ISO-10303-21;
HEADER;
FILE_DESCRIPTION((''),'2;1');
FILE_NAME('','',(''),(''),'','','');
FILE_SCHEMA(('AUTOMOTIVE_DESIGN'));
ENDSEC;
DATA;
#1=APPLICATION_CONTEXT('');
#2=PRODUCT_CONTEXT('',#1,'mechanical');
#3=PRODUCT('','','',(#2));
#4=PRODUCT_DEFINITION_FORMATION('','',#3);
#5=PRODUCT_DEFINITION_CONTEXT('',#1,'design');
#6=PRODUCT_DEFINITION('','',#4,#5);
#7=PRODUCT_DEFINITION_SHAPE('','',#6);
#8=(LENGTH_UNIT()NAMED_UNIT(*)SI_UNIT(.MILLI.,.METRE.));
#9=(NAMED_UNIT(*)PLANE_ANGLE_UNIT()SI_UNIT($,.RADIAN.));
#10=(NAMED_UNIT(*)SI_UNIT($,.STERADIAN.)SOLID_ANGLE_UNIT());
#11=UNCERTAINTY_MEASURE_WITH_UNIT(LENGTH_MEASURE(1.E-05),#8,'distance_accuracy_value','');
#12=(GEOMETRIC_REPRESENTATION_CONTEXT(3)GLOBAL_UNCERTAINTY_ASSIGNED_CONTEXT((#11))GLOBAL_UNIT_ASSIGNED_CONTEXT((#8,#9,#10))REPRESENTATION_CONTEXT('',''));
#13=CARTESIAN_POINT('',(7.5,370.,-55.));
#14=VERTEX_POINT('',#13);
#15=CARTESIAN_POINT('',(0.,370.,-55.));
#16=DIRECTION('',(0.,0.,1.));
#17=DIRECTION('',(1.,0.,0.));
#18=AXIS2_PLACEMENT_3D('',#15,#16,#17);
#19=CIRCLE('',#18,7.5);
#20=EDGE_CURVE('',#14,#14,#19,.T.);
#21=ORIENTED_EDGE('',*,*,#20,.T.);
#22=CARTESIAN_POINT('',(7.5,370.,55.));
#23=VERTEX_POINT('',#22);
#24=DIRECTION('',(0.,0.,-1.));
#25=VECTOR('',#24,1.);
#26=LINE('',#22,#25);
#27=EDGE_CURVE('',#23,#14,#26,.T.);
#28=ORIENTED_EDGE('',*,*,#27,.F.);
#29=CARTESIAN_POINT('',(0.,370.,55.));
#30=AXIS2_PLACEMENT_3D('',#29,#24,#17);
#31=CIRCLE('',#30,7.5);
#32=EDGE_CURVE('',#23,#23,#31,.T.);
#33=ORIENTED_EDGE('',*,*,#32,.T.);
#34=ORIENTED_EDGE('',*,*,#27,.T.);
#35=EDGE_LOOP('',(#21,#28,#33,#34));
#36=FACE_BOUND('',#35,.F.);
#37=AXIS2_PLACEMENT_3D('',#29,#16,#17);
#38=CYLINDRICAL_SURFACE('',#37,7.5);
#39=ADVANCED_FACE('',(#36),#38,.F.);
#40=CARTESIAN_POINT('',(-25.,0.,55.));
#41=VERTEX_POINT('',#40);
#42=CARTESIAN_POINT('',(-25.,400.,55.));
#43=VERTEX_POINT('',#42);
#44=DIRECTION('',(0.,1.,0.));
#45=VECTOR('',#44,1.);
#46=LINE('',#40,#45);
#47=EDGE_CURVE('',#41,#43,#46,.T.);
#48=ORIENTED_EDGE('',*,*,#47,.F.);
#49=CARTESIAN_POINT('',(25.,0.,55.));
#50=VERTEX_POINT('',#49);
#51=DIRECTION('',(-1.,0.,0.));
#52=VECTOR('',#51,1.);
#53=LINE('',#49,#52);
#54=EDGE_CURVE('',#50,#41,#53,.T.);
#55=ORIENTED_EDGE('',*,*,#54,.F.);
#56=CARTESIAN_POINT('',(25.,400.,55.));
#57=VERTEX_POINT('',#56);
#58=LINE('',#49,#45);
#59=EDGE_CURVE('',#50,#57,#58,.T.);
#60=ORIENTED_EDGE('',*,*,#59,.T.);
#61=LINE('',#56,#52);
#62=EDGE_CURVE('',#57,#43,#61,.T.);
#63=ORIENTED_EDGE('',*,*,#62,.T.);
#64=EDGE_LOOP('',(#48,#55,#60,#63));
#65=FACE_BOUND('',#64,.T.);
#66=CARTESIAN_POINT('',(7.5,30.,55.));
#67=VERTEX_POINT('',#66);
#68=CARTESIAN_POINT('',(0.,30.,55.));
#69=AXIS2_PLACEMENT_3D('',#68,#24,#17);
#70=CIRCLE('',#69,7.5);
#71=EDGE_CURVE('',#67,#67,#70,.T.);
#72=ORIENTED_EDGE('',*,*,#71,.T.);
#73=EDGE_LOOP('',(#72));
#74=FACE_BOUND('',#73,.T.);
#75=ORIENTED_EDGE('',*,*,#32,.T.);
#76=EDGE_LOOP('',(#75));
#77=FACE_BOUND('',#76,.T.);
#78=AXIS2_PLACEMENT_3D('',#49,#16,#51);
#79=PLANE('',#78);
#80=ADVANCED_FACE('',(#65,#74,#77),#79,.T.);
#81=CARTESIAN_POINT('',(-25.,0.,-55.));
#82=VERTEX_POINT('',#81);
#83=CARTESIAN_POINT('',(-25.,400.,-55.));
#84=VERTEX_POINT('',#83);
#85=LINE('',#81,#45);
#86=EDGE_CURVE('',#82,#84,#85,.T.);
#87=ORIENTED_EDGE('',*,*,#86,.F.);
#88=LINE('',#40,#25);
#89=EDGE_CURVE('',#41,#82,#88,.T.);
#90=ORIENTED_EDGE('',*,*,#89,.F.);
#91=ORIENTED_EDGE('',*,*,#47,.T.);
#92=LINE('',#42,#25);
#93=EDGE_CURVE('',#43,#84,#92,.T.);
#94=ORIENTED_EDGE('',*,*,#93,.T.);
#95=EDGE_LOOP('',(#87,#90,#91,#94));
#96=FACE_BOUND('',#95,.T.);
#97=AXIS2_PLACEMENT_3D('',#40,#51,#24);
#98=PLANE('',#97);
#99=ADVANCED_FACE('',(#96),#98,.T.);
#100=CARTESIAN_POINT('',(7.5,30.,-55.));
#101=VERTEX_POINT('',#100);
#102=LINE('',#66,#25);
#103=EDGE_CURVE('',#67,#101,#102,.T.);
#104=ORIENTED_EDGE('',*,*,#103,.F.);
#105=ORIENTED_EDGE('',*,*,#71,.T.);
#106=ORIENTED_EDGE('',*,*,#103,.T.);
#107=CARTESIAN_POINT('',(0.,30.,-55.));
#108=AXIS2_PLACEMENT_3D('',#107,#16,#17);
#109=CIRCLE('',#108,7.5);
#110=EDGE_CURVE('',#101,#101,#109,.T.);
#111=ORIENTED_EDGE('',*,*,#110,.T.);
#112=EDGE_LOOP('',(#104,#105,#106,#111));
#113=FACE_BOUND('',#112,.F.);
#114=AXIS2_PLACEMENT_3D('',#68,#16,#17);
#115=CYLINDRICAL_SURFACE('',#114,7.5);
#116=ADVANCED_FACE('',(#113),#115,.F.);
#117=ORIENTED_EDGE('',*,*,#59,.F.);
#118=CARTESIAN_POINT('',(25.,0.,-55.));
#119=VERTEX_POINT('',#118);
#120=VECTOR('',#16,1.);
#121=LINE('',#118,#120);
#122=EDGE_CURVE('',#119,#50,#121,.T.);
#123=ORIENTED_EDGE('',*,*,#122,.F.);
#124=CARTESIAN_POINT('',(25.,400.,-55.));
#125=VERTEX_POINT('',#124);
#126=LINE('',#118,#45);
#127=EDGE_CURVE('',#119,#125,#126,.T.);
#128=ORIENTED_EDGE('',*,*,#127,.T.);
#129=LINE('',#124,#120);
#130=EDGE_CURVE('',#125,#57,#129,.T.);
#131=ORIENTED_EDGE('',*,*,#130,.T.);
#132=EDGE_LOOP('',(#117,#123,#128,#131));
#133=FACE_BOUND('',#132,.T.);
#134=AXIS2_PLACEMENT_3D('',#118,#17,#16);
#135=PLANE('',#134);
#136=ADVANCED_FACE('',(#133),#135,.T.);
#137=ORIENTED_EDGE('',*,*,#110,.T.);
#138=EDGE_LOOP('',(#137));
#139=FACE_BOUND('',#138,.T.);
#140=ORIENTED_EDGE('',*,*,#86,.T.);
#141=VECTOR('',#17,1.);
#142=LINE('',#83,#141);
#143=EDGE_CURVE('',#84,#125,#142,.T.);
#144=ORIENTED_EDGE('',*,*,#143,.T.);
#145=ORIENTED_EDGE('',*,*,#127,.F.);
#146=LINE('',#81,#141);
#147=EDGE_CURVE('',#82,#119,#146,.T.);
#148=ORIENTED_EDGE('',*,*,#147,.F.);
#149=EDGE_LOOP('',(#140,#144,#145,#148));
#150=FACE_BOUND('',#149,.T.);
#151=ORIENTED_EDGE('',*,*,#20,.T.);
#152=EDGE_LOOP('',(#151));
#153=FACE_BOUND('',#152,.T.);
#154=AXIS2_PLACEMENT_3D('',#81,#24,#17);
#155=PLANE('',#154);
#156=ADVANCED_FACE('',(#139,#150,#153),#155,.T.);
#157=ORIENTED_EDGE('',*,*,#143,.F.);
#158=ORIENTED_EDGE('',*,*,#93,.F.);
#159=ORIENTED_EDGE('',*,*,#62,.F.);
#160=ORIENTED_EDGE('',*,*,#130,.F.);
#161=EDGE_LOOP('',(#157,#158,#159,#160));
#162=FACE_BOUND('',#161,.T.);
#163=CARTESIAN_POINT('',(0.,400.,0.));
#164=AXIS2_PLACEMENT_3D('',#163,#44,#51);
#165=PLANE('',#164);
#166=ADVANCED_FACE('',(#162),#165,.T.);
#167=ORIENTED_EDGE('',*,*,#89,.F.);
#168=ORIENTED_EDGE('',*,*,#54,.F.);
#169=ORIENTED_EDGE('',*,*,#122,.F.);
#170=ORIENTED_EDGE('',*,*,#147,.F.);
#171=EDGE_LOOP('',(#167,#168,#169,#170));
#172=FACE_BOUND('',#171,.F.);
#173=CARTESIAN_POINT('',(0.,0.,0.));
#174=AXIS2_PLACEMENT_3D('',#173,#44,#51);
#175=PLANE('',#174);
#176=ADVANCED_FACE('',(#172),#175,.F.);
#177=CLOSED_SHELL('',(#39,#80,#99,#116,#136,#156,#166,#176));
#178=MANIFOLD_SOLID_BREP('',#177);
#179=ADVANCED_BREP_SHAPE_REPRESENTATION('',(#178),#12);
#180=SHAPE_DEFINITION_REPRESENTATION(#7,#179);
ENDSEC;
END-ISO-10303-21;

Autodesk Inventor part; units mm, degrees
ref_plane "YZ Plane" through (0, 0, 0) normal (1, 0, 0) x (0, 1, 0)
ref_plane "XZ Plane" through (0, 0, 0) normal (0, 1, 0) x (-1, 0, 0)
ref_plane "XY Plane" through (0, 0, 0) normal (0, 0, 1) x (1, 0, 0)
sketch "Boceto1" plane through (0, 0, 0) normal (0, 1, 0) x (-1, 0, 0)
  line L0 (-25, 55) -> (25, 55)
  line L1 (25, 55) -> (25, -55)
  line L2 (25, -55) -> (-25, -55)
  line L3 (-25, -55) -> (-25, 55)
  line L4 (-25, 55) -> (25, -55) construction
  line L5 (25, 55) -> (-25, -55) construction
  point P0 (0, 0)
  dimension "d0" = 50
  dimension "d1" = 110
extrude "Extrusión1" add sketch "Boceto1" along normal blind 400
sketch "Boceto2" plane through (-25, 0, 55) normal (0, 0, 1) x (1, 0, 0)
  line L0 (0, 400) -> (50, 400) projected
  line L1 (25, 400) -> (25, 370)
  line L2 (25, 0) -> (25, 30)
  circle A0 centre (25, 370) radius 7.5
  circle A1 centre (25, 30) radius 7.5
  dimension "d4" = 30
  dimension "d5" = 30
  dimension "d6" = 15
  dimension "d7" = 15
extrude "Extrusión2" cut sketch "Boceto2" against normal up to next
properties part number "brazo2"
